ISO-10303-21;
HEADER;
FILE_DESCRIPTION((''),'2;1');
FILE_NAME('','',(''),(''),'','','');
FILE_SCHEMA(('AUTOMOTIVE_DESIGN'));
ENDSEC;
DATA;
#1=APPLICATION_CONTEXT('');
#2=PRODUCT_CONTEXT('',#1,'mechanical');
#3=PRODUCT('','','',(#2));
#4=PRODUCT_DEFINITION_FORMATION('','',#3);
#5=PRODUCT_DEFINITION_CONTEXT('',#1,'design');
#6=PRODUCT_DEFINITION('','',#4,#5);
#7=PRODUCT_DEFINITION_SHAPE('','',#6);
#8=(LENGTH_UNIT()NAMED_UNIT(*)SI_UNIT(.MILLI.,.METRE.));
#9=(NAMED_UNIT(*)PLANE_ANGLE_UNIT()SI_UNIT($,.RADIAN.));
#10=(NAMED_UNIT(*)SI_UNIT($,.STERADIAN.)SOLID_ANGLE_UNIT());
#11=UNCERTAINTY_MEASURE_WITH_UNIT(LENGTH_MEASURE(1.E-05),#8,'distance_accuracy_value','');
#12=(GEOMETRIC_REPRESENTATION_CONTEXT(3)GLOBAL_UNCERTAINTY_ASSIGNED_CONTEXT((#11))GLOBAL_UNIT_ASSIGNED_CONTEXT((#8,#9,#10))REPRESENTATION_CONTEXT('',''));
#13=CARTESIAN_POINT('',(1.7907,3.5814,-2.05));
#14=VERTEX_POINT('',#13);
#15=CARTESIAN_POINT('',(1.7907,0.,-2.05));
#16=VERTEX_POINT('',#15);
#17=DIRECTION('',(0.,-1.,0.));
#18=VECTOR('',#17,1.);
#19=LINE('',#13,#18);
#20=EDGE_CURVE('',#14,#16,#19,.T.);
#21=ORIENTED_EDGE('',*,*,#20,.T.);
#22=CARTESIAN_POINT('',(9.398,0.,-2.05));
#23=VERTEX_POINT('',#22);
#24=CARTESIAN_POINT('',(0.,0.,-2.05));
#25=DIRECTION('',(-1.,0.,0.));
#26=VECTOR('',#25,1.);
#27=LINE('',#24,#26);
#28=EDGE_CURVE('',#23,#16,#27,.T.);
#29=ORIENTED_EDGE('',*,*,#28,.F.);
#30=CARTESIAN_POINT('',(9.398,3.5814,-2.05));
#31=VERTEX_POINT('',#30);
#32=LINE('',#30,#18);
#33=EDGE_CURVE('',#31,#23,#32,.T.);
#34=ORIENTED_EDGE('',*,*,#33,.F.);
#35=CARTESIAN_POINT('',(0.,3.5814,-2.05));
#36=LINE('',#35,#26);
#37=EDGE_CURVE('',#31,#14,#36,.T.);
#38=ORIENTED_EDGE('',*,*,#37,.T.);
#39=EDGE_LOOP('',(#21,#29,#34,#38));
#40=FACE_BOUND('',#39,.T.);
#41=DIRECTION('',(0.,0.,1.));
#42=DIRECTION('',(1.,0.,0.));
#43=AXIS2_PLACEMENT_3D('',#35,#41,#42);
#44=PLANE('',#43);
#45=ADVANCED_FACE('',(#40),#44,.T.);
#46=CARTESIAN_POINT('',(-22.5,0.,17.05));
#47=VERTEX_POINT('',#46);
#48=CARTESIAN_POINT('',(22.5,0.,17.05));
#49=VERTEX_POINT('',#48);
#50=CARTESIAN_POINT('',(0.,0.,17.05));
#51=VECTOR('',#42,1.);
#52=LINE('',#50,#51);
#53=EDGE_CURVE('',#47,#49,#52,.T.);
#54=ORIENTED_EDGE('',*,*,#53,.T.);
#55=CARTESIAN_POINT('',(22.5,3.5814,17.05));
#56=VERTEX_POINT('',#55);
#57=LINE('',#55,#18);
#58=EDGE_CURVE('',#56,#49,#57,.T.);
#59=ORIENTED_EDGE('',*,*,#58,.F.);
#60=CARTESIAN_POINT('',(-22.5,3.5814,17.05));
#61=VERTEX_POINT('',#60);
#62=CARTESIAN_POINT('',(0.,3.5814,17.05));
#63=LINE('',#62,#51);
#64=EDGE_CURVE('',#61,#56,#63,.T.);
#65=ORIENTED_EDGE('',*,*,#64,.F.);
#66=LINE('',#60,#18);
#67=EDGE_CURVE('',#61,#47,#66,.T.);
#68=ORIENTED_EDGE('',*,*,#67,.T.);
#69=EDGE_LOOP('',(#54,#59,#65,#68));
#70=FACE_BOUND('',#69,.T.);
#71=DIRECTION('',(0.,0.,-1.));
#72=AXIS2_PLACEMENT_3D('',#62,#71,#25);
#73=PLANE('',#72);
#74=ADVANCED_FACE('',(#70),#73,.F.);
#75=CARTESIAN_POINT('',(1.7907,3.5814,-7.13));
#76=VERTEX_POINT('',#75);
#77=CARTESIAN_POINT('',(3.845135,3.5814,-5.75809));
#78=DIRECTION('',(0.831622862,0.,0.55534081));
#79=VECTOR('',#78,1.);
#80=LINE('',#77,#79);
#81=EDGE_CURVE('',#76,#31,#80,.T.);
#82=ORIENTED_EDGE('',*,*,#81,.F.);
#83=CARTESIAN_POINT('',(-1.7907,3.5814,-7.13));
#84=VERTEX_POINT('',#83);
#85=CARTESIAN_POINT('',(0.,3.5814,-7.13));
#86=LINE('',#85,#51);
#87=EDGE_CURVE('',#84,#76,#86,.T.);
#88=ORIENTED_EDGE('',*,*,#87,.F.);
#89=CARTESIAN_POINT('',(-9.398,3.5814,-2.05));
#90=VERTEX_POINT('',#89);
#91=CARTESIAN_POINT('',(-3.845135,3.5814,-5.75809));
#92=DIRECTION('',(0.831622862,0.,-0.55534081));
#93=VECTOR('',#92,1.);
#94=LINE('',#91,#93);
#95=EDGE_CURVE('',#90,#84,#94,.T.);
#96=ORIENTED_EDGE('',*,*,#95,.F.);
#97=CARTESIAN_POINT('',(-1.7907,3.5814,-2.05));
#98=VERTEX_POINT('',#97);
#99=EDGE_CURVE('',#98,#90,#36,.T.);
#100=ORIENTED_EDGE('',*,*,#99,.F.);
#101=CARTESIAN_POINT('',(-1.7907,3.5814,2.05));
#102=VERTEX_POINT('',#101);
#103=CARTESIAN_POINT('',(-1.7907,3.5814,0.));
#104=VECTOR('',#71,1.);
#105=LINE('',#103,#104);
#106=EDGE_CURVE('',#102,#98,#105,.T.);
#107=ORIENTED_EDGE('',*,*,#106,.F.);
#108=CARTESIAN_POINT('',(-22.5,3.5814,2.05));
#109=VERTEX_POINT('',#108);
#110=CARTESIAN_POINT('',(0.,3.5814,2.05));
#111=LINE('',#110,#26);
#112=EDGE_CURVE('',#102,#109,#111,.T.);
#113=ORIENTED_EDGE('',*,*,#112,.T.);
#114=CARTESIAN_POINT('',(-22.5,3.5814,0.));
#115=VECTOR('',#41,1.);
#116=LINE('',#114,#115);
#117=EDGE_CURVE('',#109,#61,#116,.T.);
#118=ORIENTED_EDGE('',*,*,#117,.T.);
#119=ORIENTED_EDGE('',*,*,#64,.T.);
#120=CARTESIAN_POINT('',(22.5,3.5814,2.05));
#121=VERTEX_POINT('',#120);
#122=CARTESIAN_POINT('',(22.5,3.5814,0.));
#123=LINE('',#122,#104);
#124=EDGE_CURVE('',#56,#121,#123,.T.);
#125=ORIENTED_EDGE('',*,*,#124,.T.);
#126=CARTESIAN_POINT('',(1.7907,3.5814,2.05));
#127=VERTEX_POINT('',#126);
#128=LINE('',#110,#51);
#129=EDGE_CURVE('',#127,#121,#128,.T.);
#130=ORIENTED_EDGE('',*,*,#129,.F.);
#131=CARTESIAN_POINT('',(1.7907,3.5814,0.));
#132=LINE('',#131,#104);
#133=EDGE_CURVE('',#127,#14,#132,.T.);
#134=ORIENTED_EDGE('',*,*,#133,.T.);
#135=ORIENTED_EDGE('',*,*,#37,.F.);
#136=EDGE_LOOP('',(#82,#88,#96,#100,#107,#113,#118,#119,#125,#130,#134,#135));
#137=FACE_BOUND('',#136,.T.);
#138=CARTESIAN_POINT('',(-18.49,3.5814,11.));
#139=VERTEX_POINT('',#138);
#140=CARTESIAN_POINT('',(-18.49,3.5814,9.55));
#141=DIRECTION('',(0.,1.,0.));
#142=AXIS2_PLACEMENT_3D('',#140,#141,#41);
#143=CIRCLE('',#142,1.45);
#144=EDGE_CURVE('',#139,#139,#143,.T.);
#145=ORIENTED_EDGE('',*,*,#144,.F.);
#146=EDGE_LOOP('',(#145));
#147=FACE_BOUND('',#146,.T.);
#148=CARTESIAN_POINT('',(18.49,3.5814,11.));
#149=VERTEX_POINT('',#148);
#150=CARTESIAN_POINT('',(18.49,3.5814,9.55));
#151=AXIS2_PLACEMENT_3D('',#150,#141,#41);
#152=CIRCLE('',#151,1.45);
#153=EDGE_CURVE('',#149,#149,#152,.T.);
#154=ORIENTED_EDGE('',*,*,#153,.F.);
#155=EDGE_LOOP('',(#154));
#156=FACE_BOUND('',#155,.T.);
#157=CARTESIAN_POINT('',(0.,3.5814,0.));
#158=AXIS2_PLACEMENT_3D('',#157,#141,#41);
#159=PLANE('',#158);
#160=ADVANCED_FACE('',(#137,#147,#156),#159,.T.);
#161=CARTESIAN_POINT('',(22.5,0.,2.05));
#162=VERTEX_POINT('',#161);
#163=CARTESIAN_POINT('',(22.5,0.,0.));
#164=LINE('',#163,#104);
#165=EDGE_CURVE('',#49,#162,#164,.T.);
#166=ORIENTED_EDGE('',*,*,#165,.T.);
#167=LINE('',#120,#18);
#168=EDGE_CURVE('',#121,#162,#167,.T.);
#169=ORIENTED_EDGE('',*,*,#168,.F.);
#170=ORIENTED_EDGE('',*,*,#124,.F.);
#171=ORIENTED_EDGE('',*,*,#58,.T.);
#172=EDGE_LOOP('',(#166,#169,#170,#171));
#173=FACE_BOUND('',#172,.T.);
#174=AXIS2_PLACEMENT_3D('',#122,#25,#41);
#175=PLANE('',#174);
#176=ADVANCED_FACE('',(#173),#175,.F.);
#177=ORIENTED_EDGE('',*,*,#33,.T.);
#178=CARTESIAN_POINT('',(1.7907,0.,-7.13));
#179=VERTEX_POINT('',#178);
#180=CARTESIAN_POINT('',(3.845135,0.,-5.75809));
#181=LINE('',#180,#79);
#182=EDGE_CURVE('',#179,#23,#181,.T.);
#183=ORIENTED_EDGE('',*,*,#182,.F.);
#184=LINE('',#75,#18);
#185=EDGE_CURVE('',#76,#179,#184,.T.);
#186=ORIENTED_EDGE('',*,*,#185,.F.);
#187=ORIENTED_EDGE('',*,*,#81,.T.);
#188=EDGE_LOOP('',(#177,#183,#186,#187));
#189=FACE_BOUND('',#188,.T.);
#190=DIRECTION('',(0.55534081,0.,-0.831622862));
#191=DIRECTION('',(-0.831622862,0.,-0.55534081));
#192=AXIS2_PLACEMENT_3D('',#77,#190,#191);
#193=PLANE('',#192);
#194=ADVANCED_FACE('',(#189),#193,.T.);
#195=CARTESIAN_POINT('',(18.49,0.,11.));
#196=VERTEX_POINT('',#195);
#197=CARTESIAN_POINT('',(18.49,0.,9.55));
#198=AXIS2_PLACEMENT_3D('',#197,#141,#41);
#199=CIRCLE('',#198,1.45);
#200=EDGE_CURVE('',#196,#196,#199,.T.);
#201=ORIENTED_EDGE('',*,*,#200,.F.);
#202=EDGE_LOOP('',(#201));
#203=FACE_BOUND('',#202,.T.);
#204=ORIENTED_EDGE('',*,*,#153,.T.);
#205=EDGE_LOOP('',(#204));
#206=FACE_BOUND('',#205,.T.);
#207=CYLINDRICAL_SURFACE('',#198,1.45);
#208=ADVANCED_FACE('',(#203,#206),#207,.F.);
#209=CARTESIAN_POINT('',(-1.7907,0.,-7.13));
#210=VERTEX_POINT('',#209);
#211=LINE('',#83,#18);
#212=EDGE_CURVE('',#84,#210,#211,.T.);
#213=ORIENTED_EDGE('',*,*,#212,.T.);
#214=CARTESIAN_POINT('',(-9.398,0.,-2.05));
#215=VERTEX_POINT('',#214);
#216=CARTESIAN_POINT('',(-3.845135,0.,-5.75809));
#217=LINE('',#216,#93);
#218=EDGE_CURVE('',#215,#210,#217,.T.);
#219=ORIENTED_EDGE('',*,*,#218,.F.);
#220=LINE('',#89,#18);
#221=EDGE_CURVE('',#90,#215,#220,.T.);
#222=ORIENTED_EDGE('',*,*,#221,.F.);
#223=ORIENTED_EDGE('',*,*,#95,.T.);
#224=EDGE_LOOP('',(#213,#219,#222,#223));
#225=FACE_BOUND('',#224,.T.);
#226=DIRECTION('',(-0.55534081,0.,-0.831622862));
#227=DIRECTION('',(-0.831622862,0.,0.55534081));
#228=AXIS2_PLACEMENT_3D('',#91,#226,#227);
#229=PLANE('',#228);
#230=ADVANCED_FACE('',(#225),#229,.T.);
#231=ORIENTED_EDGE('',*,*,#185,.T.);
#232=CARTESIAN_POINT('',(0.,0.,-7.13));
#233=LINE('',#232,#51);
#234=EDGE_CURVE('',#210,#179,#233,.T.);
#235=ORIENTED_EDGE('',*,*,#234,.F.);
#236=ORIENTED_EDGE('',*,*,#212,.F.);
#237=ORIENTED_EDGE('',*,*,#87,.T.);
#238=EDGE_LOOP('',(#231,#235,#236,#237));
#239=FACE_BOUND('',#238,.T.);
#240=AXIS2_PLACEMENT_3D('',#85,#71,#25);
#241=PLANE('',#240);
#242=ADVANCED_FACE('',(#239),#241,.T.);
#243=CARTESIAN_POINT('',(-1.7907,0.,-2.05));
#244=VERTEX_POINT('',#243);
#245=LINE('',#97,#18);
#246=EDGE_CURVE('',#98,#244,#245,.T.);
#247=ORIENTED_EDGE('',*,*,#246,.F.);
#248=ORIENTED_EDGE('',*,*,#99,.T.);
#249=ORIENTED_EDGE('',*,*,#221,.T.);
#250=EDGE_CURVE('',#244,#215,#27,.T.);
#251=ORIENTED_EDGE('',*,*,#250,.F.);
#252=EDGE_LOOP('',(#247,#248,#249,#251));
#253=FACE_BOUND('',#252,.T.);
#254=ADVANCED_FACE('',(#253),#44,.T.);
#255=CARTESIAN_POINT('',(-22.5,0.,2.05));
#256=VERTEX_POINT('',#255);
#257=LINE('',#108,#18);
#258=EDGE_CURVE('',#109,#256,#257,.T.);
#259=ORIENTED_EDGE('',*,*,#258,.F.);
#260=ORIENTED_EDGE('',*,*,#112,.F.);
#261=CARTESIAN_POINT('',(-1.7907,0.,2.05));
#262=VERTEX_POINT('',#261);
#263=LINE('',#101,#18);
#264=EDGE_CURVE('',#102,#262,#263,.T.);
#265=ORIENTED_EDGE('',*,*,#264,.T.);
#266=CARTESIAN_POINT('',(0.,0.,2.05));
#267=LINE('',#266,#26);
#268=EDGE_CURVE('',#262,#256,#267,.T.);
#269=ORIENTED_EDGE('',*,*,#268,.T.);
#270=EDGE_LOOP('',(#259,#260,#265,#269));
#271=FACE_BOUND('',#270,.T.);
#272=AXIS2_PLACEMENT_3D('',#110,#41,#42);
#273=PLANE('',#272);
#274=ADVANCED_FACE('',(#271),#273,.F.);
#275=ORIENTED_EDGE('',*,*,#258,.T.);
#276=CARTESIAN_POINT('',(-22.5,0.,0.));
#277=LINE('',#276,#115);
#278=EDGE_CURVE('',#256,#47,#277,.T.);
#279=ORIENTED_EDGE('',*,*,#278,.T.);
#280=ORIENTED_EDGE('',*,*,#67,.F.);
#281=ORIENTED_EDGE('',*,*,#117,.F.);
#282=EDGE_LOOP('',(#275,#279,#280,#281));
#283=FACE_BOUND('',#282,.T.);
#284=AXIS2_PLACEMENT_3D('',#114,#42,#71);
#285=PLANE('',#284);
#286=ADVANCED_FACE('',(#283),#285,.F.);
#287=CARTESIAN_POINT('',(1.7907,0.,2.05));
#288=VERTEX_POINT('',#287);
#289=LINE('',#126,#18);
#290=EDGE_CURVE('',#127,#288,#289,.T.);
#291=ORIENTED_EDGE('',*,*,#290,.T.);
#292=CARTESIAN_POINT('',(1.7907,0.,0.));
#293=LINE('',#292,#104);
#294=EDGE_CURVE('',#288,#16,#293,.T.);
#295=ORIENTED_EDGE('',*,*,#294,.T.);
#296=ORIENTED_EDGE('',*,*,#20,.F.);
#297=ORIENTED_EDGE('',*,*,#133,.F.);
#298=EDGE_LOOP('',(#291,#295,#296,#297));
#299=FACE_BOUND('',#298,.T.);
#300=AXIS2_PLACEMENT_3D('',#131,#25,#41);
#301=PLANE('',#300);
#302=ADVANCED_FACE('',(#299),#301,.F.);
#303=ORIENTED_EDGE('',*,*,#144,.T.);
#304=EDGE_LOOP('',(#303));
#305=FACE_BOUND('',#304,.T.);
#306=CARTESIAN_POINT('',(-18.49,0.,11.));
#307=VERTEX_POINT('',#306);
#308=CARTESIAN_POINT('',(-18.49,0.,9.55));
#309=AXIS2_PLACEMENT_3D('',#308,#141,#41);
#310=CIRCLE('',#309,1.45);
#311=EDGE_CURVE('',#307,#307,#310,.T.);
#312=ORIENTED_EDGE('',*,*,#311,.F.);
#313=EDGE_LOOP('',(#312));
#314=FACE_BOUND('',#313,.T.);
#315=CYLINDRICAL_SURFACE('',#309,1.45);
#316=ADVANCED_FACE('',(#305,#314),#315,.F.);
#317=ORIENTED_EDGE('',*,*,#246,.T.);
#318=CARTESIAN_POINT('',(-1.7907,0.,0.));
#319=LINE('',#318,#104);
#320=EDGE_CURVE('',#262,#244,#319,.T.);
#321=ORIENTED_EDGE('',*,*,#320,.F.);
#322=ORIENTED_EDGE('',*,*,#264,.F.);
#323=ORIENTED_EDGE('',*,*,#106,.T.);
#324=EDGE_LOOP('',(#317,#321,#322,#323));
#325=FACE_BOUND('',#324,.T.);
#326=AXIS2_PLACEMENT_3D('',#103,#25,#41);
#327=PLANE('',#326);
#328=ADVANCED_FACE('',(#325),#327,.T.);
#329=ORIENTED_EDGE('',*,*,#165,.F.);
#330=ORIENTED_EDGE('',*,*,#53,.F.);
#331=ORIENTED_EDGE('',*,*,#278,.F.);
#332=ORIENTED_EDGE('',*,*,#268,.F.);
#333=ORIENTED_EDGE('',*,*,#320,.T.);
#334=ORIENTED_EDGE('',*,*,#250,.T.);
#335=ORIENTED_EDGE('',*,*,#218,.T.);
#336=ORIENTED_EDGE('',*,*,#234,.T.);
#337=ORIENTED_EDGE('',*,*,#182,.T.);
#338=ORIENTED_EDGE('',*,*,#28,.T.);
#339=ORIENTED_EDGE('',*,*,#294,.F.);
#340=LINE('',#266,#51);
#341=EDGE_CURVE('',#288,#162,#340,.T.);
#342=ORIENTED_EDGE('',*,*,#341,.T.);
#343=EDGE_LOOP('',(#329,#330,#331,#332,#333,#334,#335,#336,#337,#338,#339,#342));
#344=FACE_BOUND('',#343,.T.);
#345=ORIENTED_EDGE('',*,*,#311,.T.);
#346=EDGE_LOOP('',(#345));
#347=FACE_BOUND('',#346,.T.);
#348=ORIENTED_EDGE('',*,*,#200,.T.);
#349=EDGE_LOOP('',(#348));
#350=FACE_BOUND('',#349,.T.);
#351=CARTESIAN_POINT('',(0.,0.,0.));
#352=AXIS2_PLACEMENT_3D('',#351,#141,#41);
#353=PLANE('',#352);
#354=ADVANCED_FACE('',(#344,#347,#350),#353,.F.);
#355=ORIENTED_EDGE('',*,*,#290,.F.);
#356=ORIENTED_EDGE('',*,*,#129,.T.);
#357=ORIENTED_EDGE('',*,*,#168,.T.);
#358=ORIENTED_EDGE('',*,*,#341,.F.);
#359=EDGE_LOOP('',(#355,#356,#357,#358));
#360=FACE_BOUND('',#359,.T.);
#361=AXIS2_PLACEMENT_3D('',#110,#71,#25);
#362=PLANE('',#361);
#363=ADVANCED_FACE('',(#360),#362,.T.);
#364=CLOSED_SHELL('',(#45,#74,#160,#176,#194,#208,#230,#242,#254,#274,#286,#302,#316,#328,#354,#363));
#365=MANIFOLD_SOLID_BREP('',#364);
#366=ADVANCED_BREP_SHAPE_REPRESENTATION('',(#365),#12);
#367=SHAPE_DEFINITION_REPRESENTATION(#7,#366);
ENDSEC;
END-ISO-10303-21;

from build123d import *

# Parameters (mm, degrees)
BOSS_EXTRUDE1_DEPTH = 3.5814
SKETCH2_R           = 1.45
CUT_EXTRUDE1_DEPTH  = 4.5814


with BuildPart() as part:
    # Sketch1 → Boss-Extrude1 (new body)
    with BuildSketch(Plane(origin=(0, 0, 0), x_dir=(1, 0, 0), z_dir=(0, 1, 0))):
        Polygon((-22.5, -17.05), (22.5, -17.05), (22.5, -2.05), (1.7907, -2.05), (1.7907, 2.05), (9.398, 2.05), (1.7907, 7.13), (-1.7907, 7.13), (-9.398, 2.05), (-1.7907, 2.05), (-1.7907, -2.05), (-22.5, -2.05), align=None)
    extrude(amount=BOSS_EXTRUDE1_DEPTH)

    # Sketch2 → Cut-Extrude1 (cut, through all)
    with BuildSketch(Plane(origin=(0, 3.5814, 0), x_dir=(1, 0, 0), z_dir=(0, 1, 0))):
        with Locations((-18.49, -9.55)):
            Circle(SKETCH2_R)
        with Locations((18.49, -9.55)):
            Circle(SKETCH2_R)
    extrude(amount=-CUT_EXTRUDE1_DEPTH, mode=Mode.SUBTRACT)


solid = part.part
